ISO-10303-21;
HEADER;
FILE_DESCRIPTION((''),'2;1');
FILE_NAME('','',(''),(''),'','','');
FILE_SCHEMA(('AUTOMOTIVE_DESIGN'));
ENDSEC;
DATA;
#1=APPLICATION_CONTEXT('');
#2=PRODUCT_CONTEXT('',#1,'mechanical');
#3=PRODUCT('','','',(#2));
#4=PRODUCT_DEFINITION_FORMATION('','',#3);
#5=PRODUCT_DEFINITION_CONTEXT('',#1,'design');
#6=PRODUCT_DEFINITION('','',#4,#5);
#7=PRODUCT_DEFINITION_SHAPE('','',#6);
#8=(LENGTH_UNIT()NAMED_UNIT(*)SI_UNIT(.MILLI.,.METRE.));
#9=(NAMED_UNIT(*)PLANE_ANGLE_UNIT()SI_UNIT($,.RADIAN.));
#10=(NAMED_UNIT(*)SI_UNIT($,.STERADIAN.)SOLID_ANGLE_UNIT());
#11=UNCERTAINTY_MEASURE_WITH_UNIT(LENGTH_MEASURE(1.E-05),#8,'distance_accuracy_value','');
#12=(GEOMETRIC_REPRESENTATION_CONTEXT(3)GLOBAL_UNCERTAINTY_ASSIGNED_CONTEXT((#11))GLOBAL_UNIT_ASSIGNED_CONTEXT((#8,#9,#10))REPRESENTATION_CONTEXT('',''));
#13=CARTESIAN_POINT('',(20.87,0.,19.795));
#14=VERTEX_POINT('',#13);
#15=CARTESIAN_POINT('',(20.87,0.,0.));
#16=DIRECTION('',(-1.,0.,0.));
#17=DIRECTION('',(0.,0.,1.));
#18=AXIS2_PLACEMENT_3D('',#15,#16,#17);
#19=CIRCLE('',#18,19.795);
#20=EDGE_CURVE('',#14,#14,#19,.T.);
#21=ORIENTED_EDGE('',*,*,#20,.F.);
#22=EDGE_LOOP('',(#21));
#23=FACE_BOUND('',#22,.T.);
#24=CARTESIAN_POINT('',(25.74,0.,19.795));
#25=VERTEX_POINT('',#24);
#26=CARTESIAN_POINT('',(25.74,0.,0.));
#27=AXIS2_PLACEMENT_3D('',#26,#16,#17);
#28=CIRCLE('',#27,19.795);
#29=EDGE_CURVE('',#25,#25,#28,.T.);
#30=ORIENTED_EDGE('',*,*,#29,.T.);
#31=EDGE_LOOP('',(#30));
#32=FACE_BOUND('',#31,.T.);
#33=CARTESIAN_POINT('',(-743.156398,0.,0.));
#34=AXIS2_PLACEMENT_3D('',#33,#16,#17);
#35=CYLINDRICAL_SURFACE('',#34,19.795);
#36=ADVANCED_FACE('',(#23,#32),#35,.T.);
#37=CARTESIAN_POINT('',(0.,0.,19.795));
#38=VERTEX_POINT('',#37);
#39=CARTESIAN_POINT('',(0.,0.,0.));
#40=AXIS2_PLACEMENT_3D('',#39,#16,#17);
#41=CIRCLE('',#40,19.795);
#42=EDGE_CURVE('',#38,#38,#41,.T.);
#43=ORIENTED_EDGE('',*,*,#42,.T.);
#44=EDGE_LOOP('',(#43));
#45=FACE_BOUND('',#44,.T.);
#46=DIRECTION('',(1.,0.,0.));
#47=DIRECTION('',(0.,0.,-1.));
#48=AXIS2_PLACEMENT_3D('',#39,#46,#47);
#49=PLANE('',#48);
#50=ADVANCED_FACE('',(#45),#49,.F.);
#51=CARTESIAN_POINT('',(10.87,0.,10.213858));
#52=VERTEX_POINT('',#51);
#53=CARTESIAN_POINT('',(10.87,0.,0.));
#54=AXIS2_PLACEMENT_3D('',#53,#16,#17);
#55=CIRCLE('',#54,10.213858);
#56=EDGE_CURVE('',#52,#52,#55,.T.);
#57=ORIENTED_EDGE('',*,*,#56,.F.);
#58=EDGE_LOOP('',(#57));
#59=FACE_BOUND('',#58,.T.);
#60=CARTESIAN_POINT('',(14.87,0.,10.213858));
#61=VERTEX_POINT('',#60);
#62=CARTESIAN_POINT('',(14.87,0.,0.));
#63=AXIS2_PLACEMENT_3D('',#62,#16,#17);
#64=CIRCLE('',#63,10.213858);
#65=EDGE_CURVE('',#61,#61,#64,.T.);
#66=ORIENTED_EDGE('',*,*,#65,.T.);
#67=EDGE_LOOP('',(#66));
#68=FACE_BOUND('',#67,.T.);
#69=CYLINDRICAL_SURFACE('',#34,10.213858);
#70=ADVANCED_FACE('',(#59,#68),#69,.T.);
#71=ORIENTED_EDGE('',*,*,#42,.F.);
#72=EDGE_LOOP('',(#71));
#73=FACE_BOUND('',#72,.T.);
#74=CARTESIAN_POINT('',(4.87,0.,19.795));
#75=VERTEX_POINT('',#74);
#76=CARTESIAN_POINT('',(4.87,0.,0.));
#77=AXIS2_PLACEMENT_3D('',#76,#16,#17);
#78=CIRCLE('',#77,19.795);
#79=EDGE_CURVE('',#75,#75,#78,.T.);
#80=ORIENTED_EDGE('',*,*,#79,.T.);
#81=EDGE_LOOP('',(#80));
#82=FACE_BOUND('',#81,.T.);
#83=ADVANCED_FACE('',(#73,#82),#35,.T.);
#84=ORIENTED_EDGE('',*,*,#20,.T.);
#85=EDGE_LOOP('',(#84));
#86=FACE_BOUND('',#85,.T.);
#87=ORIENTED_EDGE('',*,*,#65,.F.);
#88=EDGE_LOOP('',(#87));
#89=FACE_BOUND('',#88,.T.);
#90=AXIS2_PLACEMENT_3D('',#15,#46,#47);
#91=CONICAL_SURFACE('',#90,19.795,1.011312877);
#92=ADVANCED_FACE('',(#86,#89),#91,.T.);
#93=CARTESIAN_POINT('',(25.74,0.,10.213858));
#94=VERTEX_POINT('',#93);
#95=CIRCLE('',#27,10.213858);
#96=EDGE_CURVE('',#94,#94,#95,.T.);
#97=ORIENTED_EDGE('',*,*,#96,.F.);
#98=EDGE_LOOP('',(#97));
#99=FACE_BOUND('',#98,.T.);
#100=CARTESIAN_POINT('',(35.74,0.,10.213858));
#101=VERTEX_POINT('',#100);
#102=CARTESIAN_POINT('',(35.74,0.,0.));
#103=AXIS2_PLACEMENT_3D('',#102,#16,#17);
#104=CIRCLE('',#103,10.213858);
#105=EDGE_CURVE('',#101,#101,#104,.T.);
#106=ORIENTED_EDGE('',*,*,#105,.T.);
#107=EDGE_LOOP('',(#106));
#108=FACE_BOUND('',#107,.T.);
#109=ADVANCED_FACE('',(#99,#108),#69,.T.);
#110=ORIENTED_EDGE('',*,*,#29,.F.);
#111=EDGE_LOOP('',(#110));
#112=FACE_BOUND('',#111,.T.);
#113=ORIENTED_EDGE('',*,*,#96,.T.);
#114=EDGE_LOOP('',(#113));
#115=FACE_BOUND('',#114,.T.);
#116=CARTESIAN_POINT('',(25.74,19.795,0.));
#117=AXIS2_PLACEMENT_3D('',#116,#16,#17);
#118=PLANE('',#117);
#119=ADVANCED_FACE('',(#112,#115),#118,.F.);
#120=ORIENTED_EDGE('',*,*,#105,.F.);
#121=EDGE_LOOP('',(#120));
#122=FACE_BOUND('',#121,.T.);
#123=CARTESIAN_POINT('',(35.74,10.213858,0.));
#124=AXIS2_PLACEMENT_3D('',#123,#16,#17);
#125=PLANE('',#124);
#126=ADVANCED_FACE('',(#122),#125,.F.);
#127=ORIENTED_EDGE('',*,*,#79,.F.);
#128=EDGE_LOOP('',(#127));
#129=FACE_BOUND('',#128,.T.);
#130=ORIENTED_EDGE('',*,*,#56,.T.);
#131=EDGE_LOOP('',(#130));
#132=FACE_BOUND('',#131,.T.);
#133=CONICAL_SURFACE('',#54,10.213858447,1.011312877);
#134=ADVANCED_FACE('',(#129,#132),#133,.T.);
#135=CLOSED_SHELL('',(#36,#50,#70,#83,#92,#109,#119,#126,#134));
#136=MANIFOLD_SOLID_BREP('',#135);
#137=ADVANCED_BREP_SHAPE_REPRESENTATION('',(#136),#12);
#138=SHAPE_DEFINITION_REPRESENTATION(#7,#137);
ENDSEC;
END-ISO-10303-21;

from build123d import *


with BuildPart() as part:
    # 草圖1 → 旋轉1 (revolve)
    with BuildSketch(Plane.XY, mode=Mode.PRIVATE) as revolve_1_sk:
        Polygon((0, 0), (0, 19.795), (4.87, 19.795), (10.87, 10.213858447), (14.87, 10.213858447), (20.87, 19.795), (25.74, 19.795), (25.74, 10.213858447), (35.74, 10.213858447), (35.74, 0), align=None)
    revolve(revolve_1_sk.sketch.rotate(Axis((-743.15639781, 0, 0), (1, 0, 0)), 90), axis=Axis((-743.15639781, 0, 0), (1, 0, 0)))


solid = part.part
